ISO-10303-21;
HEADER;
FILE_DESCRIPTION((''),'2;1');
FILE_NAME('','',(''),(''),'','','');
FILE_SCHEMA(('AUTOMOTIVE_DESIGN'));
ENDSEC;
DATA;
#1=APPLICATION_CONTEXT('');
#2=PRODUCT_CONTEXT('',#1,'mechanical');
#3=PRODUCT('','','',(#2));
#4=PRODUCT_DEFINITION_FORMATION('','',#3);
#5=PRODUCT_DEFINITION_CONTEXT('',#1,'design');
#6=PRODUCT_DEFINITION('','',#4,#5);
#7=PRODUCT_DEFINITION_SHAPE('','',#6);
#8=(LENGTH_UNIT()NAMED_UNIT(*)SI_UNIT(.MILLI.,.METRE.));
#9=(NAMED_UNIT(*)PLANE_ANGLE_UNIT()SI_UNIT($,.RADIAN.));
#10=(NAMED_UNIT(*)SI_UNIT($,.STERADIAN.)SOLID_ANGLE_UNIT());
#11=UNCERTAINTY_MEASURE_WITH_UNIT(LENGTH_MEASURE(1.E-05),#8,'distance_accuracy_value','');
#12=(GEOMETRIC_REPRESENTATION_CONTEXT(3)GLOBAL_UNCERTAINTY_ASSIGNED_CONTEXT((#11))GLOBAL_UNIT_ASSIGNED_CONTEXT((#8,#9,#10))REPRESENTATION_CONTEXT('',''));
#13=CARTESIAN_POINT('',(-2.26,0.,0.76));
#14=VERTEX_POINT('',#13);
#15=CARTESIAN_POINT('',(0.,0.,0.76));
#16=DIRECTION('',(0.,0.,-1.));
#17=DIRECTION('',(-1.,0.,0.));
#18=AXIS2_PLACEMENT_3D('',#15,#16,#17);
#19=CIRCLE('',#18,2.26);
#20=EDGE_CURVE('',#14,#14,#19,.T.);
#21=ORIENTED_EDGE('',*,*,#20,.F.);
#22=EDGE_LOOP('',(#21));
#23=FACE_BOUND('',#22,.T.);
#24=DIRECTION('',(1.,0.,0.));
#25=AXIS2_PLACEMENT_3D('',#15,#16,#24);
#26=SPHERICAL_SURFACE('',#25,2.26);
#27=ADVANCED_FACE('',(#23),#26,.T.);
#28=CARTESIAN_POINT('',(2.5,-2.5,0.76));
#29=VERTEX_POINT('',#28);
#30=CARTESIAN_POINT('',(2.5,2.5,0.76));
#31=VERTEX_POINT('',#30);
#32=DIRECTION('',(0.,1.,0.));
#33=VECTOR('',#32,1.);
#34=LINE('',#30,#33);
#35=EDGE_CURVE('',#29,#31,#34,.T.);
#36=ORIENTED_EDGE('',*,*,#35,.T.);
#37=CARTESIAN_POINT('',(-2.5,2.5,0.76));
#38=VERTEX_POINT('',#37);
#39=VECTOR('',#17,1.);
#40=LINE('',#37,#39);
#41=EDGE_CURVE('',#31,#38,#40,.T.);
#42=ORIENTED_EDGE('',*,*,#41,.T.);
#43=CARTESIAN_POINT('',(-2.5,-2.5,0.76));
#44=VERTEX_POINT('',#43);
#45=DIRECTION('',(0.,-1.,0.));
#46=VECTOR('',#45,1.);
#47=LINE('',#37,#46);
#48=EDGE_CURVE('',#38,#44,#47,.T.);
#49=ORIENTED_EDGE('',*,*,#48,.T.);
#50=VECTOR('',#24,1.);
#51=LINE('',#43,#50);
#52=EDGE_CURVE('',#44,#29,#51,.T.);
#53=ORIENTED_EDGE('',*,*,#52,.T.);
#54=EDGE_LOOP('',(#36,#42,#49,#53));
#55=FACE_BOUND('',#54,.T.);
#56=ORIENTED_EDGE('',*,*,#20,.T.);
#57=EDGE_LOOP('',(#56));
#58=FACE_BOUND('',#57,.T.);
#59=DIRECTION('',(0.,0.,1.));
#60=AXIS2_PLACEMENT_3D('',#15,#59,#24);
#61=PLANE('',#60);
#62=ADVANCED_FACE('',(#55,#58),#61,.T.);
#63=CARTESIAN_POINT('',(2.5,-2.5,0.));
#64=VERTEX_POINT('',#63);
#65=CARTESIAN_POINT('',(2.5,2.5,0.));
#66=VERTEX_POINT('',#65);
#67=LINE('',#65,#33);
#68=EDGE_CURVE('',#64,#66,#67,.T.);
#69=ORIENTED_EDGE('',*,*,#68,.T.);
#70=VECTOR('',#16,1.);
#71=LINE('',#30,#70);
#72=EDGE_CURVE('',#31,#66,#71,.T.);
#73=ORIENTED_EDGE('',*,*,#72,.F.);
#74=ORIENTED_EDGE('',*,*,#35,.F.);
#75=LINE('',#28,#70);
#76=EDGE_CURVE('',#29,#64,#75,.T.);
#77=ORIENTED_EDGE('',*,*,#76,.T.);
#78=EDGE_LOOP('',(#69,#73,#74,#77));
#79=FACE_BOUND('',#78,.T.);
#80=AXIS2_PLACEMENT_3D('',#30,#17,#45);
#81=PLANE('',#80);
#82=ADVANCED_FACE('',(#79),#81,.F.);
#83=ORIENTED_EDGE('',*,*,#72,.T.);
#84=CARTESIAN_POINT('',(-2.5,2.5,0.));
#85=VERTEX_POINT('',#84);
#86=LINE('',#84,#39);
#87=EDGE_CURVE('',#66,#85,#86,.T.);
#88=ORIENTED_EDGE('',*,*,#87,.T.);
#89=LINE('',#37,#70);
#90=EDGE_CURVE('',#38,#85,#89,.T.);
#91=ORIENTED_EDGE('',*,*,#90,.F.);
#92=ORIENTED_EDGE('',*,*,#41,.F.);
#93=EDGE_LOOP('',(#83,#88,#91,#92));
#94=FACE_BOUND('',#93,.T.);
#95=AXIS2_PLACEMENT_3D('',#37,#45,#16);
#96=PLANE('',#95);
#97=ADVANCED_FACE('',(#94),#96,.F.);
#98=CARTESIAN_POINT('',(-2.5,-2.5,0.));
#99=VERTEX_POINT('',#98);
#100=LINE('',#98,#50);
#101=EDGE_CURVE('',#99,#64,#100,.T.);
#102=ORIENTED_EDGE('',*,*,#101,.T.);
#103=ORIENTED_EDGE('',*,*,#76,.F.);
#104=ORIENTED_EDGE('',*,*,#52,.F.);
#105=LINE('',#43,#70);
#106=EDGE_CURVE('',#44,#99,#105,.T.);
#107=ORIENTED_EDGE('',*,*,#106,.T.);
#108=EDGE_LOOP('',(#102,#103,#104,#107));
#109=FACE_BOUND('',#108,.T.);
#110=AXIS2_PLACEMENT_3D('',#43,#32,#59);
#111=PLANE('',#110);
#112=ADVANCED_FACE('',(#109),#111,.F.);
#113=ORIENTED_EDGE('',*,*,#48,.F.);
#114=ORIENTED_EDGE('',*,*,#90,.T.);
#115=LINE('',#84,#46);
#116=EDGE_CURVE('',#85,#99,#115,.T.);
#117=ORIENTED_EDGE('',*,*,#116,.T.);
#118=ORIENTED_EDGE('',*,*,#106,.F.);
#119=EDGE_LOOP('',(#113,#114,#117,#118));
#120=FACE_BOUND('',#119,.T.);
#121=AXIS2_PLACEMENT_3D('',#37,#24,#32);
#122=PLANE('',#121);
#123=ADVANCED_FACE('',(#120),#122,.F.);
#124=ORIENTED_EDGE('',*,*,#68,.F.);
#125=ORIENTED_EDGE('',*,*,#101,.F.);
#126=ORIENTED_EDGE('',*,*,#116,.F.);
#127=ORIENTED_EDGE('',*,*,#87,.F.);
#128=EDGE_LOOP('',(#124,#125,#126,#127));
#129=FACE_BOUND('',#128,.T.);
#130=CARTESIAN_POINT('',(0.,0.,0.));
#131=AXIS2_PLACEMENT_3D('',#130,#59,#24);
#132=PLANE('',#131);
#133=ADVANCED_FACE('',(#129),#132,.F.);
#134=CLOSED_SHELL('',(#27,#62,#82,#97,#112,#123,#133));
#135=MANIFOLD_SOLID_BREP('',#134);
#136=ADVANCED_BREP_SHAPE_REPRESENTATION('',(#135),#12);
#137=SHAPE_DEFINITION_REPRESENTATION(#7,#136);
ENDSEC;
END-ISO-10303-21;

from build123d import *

# Parameters (mm, degrees)
SKETCH1_W           = 5
SKETCH1_H           = 5
BOSS_EXTRUDE1_DEPTH = 0.76


with BuildPart() as part:
    # Sketch1 → Boss-Extrude1 (new body)
    with BuildSketch(Plane.XY):
        Rectangle(SKETCH1_W, SKETCH1_H)
    extrude(amount=BOSS_EXTRUDE1_DEPTH)

    # Sketch2 → Revolve1 (revolve)
    with BuildSketch(Plane(origin=(0, 0, 0), x_dir=(1, 0, 0), z_dir=(0, 1, 0))):
        with BuildLine():
            Line((0, -0.76), (2.26, -0.76))
            ThreePointArc((2.26, -0.76), (1.598061325, -2.358061325), (0, -3.02))
            Line((0, -3.02), (0, -0.76))
        make_face()
    revolve(axis=Axis((0, 0, 0.76), (0, 0, 1)))


solid = part.part
